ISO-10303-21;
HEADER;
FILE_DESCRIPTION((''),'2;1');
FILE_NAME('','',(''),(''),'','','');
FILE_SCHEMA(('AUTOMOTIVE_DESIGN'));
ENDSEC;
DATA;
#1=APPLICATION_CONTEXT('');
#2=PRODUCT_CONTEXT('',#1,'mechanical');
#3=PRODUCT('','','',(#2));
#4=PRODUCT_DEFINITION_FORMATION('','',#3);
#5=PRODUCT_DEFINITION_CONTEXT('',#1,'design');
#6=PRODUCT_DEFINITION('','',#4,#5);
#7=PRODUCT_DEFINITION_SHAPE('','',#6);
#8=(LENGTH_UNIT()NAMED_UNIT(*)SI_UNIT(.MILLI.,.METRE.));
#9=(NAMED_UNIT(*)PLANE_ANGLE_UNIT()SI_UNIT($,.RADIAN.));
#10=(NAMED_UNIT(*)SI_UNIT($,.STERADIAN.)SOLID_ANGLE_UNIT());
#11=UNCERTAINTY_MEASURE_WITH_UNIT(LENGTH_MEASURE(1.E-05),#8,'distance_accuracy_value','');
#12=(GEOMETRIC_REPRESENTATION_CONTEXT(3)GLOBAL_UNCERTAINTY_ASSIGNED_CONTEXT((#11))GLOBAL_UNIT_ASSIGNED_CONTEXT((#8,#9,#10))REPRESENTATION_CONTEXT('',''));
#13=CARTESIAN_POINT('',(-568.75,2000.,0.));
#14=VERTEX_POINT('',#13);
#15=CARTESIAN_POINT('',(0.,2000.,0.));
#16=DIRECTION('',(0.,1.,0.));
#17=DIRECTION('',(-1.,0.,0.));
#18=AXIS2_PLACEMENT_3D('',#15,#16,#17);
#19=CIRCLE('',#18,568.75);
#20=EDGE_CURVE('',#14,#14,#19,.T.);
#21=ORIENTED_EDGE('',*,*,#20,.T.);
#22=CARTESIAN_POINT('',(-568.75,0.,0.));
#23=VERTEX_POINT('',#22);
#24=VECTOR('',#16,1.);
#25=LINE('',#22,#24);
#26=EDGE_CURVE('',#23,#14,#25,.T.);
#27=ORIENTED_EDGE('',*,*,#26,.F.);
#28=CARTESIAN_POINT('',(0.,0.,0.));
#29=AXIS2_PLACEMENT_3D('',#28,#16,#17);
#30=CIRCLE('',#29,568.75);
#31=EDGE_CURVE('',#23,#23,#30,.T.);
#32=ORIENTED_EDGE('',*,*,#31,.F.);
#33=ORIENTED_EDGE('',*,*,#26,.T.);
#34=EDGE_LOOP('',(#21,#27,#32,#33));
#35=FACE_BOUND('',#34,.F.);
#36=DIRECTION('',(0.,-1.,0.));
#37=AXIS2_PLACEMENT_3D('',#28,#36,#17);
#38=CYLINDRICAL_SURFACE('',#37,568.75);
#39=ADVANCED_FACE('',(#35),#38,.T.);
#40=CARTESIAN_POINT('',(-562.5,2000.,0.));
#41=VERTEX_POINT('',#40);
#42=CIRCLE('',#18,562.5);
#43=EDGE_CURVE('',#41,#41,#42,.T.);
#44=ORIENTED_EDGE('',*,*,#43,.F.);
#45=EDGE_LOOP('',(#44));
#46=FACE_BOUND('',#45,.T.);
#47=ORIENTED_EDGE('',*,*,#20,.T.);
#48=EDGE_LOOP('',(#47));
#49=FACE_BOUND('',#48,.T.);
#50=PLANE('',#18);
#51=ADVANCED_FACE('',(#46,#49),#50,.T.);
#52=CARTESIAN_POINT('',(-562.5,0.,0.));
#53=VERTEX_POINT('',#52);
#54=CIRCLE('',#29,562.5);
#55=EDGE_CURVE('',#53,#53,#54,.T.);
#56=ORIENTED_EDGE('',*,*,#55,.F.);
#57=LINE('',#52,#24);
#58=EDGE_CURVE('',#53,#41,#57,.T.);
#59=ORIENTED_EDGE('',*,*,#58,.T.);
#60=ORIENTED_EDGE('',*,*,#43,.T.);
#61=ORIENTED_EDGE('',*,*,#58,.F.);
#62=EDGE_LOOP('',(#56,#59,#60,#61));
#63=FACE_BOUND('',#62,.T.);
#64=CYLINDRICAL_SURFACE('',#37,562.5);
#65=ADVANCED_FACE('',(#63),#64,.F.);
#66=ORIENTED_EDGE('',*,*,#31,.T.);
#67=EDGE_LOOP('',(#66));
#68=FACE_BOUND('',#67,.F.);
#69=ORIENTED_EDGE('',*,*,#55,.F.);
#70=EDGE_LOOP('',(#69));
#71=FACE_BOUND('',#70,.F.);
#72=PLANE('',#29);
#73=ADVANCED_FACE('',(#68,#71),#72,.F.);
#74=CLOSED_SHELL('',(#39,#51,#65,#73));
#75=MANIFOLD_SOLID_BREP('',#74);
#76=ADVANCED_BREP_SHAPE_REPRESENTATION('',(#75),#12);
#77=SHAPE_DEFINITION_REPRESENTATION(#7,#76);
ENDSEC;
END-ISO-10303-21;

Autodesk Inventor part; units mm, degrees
ref_plane "YZ Plane" through (0, 0, 0) normal (1, 0, 0) x (0, 1, 0)
ref_plane "XZ Plane" through (0, 0, 0) normal (0, 1, 0) x (-1, 0, 0)
ref_plane "XY Plane" through (0, 0, 0) normal (0, 0, 1) x (1, 0, 0)
sketch "Sketch1" plane through (0, 0, 0) normal (0, 1, 0) x (-1, 0, 0)
  circle A0 centre (0, 0) radius 568.75
  circle A1 centre (0, 0) radius 562.5
  dimension "d1" = 1137.5
  dimension "d2" = 1125
extrude "Extrusion1" add sketch "Sketch1" along normal blind 2000
properties part number "shell"
